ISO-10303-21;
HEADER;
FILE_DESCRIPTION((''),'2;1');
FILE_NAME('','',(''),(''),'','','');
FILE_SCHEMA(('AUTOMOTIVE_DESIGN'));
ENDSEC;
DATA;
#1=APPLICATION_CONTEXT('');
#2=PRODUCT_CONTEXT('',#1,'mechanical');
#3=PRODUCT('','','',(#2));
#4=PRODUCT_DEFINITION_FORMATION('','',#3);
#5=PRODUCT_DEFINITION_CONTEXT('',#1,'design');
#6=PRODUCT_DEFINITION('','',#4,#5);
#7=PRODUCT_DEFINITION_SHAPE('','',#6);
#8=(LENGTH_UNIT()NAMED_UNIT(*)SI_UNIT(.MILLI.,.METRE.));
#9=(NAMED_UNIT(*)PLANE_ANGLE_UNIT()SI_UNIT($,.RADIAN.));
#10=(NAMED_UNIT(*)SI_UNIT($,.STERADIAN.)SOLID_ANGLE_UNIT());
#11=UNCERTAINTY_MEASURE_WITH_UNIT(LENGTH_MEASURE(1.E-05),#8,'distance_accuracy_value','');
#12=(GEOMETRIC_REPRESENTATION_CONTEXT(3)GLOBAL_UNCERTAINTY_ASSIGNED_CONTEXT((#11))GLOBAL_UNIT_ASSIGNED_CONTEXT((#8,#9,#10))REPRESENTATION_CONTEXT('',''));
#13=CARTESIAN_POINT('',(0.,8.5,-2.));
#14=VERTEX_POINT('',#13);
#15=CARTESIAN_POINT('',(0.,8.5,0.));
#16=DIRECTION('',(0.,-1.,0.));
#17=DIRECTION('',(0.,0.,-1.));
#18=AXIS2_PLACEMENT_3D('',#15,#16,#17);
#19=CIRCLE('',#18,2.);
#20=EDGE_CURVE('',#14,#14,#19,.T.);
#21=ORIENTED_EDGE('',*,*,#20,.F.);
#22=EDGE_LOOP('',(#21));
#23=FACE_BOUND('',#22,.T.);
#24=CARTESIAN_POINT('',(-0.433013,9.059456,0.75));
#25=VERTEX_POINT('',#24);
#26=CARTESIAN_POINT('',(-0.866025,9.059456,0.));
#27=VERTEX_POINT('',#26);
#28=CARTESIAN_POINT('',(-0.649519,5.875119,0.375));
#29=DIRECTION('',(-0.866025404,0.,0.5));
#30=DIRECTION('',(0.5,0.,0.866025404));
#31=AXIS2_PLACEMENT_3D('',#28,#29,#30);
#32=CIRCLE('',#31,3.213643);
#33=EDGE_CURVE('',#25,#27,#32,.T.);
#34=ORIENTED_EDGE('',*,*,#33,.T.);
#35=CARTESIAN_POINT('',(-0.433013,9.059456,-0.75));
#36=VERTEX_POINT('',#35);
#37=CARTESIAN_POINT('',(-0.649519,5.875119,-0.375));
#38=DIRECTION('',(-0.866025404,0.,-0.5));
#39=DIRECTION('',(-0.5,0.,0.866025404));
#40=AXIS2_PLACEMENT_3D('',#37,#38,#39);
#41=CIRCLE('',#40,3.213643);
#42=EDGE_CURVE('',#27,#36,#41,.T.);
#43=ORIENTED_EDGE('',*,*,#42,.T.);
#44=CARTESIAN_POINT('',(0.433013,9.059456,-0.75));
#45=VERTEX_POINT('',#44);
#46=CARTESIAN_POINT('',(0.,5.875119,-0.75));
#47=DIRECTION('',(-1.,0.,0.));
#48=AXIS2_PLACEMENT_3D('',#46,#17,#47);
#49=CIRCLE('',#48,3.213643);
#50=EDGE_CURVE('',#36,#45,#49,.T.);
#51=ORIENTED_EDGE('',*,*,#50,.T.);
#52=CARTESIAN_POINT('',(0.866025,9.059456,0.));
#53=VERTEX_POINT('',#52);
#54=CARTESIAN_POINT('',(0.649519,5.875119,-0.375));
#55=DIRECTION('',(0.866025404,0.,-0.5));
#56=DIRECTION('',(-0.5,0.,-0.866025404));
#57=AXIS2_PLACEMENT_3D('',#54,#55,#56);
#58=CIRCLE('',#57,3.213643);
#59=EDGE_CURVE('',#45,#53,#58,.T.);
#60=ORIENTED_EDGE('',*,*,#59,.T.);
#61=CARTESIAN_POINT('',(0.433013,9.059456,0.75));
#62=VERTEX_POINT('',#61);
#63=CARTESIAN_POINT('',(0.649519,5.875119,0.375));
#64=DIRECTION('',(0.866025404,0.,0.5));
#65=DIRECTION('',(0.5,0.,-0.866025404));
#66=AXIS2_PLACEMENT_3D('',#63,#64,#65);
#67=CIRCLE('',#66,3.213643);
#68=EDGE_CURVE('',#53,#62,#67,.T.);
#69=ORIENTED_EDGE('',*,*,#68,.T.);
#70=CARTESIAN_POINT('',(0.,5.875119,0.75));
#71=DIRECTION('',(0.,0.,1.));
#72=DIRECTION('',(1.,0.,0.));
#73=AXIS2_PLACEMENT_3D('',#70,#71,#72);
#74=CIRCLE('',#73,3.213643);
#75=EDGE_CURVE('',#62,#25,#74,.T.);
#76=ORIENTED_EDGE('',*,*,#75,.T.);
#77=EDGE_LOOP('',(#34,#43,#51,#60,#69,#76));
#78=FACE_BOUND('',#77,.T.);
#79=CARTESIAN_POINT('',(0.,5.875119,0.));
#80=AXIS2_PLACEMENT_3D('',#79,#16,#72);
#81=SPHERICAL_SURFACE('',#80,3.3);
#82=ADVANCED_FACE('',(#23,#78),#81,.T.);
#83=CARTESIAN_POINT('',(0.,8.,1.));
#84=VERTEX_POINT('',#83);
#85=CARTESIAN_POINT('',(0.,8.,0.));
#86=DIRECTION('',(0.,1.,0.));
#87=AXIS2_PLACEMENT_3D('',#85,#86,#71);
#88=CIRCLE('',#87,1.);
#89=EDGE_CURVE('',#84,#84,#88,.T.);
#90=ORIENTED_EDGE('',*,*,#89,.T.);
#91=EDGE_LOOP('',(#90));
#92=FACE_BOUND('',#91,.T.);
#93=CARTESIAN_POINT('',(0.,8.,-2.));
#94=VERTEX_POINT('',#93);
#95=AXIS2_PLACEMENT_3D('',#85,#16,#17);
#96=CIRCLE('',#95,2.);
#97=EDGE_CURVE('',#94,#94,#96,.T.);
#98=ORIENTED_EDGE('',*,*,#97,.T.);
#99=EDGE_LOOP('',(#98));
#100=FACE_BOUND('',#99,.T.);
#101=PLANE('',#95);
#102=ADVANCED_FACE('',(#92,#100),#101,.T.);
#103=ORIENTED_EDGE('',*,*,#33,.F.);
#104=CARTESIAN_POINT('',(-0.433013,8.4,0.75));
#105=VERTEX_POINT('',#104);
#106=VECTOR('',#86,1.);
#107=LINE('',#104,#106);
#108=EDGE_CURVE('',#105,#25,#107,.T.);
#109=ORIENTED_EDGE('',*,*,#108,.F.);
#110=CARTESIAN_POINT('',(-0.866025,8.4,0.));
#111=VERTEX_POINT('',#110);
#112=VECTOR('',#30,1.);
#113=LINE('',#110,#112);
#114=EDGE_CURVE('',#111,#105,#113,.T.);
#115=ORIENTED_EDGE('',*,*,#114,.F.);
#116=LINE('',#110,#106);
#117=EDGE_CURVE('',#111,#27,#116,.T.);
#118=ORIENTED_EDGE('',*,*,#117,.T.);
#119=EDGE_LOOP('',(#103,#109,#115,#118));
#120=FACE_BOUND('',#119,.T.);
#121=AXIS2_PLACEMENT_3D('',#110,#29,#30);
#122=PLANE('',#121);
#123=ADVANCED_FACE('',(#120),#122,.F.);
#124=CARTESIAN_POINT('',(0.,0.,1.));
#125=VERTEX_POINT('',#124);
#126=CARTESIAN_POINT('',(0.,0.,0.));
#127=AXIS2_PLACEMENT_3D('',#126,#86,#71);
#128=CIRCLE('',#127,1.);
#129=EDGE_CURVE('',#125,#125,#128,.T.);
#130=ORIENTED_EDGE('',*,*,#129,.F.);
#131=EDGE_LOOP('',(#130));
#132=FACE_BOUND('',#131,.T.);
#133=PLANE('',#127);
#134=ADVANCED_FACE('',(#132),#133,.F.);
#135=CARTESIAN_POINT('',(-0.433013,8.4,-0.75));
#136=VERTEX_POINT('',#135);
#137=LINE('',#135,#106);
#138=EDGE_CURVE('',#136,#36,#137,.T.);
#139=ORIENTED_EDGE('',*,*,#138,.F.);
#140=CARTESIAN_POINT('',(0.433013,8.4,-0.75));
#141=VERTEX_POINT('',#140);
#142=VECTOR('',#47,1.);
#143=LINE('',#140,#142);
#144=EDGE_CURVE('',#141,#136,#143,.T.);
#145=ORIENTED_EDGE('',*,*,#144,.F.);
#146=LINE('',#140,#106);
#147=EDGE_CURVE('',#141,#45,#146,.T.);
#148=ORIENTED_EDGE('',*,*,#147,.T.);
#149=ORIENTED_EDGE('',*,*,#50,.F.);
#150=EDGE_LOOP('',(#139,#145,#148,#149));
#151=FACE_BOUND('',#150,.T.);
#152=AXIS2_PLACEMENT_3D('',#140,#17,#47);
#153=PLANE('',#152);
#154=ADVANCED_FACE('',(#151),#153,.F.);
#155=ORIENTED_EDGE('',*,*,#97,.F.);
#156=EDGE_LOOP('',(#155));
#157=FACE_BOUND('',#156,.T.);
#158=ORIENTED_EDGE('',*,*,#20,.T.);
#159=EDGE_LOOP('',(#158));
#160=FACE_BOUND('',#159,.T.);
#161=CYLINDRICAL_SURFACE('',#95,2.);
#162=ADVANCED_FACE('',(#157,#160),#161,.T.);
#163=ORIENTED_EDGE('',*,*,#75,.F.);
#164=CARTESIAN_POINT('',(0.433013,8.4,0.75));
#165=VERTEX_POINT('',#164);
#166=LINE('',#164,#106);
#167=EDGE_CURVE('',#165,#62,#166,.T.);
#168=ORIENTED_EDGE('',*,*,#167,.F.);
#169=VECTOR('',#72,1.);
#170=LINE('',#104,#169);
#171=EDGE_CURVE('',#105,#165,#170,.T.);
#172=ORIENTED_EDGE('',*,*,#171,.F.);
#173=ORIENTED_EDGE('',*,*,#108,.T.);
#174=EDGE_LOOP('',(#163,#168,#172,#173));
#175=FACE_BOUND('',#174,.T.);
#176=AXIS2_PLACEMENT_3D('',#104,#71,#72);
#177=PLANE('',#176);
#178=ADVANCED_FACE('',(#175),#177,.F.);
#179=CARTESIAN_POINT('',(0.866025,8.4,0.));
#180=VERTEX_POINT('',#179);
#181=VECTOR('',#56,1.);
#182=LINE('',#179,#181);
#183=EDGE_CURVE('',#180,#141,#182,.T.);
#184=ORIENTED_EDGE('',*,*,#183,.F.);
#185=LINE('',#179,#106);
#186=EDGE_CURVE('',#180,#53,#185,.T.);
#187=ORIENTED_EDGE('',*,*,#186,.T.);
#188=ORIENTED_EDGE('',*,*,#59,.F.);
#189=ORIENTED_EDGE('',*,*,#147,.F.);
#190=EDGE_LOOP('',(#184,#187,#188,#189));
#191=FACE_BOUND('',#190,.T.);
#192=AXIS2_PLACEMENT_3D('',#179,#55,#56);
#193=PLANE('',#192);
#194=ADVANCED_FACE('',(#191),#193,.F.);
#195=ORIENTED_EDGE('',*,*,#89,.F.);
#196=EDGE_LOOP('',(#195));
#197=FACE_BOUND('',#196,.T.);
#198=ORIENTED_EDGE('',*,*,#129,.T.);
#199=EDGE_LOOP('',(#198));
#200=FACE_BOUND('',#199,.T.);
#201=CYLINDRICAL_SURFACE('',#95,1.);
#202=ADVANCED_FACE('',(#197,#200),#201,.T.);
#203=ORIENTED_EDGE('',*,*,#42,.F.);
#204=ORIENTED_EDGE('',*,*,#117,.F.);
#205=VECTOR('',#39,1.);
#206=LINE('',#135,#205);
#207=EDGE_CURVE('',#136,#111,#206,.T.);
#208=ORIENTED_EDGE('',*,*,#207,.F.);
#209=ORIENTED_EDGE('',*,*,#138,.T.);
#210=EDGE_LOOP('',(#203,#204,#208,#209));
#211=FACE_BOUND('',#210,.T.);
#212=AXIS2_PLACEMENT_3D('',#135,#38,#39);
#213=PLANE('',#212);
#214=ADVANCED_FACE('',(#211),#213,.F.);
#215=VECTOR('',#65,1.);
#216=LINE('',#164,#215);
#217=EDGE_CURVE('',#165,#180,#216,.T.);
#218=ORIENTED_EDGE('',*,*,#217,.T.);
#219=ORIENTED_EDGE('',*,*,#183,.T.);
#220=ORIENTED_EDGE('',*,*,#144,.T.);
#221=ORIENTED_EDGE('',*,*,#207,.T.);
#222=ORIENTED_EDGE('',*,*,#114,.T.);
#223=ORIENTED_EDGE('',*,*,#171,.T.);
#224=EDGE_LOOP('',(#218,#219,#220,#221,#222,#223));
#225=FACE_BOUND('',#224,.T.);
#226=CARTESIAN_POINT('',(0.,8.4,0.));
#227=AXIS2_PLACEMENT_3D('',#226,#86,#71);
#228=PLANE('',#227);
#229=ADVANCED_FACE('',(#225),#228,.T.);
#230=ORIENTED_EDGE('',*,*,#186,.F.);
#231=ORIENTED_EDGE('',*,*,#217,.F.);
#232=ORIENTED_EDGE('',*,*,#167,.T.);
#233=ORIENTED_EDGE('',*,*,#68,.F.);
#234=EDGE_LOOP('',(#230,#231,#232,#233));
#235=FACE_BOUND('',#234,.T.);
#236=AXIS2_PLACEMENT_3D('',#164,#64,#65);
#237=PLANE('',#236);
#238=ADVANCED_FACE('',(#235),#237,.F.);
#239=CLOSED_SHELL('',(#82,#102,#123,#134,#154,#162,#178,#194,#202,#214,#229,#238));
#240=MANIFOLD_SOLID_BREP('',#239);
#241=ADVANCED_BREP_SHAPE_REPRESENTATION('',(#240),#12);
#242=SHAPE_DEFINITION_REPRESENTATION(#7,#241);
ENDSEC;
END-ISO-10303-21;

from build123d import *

# Parameters (mm, degrees)
SKETCH1_R           = 1
BOSS_EXTRUDE1_DEPTH = 8
CUT_EXTRUDE1_START  = 9.5
CUT_EXTRUDE1_DEPTH  = 1.1


with BuildPart() as part:
    # Sketch1 → Boss-Extrude1 (new body)
    with BuildSketch(Plane(origin=(0, 0, 0), x_dir=(1, 0, 0), z_dir=(0, 1, 0))):
        with Locations(Location((0, 0, 0), (0, 0, 270))):
            Circle(SKETCH1_R)
    extrude(amount=BOSS_EXTRUDE1_DEPTH)

    # Sketch2 → Revolve2 (revolve)
    with BuildSketch(Plane.XY, mode=Mode.PRIVATE) as revolve2_sk:
        with BuildLine():
            Line((0, 8), (-2, 8))
            Line((-2, 8), (-2, 8.5))
            ThreePointArc((-2, 8.5), (-1.055436608, 9.001787176), (0, 9.17511905))
            Line((0, 9.17511905), (0, 8))
        make_face()
    revolve(revolve2_sk.sketch.rotate(Axis((0, 8, 0), (0, 1, 0)), 180), axis=Axis((0, 8, 0), (0, 1, 0)))

    # Sketch3 → Cut-Extrude1 (cut)
    with BuildSketch(Plane(origin=(0, 0, 0), x_dir=(1, 0, 0), z_dir=(0, 1, 0)).offset(CUT_EXTRUDE1_START)):
        Polygon((0.433012702, -0.75), (0.866025404, 0), (0.433012702, 0.75), (-0.433012702, 0.75), (-0.866025404, 0), (-0.433012702, -0.75), align=None)
    extrude(amount=-CUT_EXTRUDE1_DEPTH, mode=Mode.SUBTRACT)


solid = part.part
